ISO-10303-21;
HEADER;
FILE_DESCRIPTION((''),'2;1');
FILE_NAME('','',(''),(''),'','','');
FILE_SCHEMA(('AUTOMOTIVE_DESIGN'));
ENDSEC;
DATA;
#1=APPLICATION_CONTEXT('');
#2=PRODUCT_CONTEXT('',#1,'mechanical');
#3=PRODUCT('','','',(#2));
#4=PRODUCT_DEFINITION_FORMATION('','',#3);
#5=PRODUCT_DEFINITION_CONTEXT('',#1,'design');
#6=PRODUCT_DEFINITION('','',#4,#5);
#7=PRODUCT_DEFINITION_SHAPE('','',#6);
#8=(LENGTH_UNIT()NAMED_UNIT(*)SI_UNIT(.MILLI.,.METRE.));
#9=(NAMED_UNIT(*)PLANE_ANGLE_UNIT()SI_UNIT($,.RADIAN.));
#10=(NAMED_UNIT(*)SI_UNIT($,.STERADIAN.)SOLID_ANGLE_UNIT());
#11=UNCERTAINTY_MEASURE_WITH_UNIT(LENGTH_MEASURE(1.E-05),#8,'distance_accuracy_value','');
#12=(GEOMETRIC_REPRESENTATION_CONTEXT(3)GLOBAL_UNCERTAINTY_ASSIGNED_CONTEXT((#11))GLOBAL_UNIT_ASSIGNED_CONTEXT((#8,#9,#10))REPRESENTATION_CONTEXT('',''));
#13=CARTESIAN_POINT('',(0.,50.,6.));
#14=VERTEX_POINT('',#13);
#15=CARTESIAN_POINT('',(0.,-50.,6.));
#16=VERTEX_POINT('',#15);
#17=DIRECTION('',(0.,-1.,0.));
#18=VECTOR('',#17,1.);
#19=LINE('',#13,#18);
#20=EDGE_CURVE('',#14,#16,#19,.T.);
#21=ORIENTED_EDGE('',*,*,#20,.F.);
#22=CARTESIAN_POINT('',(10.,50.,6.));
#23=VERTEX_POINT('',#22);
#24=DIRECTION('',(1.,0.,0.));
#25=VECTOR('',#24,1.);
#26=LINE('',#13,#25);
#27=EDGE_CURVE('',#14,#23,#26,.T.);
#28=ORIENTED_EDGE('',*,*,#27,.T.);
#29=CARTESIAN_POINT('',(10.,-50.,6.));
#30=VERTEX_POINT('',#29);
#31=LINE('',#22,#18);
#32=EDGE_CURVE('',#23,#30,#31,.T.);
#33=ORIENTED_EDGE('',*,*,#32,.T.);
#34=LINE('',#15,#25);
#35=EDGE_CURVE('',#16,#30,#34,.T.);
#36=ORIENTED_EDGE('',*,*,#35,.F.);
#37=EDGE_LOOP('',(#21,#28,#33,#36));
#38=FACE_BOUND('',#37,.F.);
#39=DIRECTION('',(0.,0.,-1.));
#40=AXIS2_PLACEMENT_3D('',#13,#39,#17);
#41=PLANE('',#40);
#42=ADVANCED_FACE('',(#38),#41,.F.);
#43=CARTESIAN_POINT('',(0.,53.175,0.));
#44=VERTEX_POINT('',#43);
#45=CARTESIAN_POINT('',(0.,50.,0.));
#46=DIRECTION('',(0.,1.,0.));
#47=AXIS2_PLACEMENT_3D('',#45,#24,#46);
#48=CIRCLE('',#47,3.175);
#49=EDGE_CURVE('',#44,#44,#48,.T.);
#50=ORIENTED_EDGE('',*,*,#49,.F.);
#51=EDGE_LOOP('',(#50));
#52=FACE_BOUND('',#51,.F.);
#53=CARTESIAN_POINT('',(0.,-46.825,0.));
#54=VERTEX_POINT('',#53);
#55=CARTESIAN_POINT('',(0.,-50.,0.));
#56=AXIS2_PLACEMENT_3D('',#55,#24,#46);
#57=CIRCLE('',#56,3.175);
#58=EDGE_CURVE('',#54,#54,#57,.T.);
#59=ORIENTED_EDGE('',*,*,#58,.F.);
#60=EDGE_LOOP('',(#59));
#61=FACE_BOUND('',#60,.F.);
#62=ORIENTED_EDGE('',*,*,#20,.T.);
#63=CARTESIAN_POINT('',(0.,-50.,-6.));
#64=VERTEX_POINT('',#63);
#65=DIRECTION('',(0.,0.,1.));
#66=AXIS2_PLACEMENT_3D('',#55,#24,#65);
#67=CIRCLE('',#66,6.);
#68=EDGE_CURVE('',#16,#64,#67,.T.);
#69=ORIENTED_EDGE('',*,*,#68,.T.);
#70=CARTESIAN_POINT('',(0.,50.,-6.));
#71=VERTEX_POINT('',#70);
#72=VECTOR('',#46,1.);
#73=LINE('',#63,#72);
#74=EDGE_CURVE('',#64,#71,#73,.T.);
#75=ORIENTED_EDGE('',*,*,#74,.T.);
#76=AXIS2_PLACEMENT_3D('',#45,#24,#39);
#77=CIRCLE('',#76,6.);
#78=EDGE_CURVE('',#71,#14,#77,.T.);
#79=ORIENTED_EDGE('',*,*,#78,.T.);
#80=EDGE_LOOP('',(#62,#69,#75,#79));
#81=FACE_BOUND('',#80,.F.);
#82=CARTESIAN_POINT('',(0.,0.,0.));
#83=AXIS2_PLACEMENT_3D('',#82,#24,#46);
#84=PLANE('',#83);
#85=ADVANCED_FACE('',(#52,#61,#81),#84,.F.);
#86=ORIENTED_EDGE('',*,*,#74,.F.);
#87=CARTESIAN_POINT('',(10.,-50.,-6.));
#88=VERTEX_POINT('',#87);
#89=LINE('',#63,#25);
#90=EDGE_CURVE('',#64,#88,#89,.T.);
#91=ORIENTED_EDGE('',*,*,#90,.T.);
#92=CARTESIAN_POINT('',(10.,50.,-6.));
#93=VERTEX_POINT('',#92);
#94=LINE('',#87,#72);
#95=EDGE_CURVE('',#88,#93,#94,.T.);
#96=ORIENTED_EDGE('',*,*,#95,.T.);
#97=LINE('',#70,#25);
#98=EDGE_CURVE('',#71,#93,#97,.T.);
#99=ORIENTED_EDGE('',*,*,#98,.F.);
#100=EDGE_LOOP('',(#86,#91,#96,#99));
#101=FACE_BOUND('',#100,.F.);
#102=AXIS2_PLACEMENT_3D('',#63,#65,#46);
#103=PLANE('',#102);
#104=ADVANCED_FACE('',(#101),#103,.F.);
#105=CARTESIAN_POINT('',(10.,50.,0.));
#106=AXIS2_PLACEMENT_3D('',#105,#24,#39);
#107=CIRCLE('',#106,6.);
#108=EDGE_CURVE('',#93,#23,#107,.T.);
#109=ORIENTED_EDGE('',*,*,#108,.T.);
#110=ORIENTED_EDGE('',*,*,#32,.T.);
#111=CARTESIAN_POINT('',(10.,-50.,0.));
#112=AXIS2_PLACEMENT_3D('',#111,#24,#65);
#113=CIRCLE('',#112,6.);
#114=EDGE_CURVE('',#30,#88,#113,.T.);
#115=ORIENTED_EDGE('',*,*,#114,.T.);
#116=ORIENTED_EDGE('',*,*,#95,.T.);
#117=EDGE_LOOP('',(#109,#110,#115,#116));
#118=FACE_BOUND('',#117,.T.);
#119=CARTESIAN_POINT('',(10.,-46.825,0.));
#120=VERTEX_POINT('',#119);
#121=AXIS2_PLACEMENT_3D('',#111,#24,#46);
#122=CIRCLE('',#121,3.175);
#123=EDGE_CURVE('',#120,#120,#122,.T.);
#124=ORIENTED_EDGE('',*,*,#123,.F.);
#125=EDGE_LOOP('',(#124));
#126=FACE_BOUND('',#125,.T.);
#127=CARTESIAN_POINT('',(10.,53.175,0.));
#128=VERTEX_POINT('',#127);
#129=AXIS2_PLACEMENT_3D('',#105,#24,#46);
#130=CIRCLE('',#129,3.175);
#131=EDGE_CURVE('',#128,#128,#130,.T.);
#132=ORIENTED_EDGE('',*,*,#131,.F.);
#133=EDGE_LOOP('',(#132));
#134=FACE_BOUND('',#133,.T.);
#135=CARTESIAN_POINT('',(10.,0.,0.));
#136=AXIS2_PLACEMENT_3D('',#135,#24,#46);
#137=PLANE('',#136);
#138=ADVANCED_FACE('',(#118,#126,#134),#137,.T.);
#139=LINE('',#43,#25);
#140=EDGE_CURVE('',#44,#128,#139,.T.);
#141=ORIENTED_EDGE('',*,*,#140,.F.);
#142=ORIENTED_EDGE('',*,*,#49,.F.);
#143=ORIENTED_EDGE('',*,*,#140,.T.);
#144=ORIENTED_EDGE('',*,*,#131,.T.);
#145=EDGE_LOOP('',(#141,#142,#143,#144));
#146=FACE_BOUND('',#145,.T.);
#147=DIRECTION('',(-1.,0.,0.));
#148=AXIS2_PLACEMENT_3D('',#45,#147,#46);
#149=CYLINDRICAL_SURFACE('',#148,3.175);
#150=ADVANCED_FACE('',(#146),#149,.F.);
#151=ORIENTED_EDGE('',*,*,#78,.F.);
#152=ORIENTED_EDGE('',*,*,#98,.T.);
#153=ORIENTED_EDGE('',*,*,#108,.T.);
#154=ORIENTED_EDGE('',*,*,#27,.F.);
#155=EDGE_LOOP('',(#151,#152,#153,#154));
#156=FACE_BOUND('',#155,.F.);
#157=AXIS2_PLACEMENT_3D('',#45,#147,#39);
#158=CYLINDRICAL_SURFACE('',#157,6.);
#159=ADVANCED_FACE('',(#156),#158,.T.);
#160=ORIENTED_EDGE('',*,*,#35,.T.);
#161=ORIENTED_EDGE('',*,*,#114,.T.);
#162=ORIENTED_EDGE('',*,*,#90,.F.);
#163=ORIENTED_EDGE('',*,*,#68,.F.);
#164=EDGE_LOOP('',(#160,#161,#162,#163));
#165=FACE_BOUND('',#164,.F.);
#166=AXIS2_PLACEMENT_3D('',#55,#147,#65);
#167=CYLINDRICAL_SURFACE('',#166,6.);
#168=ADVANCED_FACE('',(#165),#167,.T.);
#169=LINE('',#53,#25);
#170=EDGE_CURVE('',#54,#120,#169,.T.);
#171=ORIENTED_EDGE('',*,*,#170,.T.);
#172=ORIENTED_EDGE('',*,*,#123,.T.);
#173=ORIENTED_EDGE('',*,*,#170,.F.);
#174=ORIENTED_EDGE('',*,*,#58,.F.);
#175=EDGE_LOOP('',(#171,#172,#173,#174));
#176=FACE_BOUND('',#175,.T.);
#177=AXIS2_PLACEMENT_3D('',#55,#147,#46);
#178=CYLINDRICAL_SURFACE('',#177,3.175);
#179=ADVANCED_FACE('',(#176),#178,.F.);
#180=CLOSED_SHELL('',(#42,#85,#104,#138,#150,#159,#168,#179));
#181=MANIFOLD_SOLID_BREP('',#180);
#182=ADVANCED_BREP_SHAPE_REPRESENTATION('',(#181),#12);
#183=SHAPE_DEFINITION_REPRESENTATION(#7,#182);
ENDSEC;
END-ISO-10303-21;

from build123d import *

# Parameters (mm, degrees)
F0_R     = 3.175
F1_DEPTH = 10


with BuildPart() as f1:
    # F0 (on Right) → F1 (new body)
    with BuildSketch(Plane.YZ):
        with BuildLine():
            Line((50, 6), (-50, 6))
            ThreePointArc((-50, 6), (-56, 0), (-50, -6))
            Line((-50, -6), (50, -6))
            ThreePointArc((50, -6), (56, 0), (50, 6))
        make_face()
        with Locations((-50, 0)):
            Circle(F0_R, mode=Mode.SUBTRACT)
        with Locations((50, 0)):
            Circle(F0_R, mode=Mode.SUBTRACT)
    extrude(amount=F1_DEPTH)


solid = f1.part
